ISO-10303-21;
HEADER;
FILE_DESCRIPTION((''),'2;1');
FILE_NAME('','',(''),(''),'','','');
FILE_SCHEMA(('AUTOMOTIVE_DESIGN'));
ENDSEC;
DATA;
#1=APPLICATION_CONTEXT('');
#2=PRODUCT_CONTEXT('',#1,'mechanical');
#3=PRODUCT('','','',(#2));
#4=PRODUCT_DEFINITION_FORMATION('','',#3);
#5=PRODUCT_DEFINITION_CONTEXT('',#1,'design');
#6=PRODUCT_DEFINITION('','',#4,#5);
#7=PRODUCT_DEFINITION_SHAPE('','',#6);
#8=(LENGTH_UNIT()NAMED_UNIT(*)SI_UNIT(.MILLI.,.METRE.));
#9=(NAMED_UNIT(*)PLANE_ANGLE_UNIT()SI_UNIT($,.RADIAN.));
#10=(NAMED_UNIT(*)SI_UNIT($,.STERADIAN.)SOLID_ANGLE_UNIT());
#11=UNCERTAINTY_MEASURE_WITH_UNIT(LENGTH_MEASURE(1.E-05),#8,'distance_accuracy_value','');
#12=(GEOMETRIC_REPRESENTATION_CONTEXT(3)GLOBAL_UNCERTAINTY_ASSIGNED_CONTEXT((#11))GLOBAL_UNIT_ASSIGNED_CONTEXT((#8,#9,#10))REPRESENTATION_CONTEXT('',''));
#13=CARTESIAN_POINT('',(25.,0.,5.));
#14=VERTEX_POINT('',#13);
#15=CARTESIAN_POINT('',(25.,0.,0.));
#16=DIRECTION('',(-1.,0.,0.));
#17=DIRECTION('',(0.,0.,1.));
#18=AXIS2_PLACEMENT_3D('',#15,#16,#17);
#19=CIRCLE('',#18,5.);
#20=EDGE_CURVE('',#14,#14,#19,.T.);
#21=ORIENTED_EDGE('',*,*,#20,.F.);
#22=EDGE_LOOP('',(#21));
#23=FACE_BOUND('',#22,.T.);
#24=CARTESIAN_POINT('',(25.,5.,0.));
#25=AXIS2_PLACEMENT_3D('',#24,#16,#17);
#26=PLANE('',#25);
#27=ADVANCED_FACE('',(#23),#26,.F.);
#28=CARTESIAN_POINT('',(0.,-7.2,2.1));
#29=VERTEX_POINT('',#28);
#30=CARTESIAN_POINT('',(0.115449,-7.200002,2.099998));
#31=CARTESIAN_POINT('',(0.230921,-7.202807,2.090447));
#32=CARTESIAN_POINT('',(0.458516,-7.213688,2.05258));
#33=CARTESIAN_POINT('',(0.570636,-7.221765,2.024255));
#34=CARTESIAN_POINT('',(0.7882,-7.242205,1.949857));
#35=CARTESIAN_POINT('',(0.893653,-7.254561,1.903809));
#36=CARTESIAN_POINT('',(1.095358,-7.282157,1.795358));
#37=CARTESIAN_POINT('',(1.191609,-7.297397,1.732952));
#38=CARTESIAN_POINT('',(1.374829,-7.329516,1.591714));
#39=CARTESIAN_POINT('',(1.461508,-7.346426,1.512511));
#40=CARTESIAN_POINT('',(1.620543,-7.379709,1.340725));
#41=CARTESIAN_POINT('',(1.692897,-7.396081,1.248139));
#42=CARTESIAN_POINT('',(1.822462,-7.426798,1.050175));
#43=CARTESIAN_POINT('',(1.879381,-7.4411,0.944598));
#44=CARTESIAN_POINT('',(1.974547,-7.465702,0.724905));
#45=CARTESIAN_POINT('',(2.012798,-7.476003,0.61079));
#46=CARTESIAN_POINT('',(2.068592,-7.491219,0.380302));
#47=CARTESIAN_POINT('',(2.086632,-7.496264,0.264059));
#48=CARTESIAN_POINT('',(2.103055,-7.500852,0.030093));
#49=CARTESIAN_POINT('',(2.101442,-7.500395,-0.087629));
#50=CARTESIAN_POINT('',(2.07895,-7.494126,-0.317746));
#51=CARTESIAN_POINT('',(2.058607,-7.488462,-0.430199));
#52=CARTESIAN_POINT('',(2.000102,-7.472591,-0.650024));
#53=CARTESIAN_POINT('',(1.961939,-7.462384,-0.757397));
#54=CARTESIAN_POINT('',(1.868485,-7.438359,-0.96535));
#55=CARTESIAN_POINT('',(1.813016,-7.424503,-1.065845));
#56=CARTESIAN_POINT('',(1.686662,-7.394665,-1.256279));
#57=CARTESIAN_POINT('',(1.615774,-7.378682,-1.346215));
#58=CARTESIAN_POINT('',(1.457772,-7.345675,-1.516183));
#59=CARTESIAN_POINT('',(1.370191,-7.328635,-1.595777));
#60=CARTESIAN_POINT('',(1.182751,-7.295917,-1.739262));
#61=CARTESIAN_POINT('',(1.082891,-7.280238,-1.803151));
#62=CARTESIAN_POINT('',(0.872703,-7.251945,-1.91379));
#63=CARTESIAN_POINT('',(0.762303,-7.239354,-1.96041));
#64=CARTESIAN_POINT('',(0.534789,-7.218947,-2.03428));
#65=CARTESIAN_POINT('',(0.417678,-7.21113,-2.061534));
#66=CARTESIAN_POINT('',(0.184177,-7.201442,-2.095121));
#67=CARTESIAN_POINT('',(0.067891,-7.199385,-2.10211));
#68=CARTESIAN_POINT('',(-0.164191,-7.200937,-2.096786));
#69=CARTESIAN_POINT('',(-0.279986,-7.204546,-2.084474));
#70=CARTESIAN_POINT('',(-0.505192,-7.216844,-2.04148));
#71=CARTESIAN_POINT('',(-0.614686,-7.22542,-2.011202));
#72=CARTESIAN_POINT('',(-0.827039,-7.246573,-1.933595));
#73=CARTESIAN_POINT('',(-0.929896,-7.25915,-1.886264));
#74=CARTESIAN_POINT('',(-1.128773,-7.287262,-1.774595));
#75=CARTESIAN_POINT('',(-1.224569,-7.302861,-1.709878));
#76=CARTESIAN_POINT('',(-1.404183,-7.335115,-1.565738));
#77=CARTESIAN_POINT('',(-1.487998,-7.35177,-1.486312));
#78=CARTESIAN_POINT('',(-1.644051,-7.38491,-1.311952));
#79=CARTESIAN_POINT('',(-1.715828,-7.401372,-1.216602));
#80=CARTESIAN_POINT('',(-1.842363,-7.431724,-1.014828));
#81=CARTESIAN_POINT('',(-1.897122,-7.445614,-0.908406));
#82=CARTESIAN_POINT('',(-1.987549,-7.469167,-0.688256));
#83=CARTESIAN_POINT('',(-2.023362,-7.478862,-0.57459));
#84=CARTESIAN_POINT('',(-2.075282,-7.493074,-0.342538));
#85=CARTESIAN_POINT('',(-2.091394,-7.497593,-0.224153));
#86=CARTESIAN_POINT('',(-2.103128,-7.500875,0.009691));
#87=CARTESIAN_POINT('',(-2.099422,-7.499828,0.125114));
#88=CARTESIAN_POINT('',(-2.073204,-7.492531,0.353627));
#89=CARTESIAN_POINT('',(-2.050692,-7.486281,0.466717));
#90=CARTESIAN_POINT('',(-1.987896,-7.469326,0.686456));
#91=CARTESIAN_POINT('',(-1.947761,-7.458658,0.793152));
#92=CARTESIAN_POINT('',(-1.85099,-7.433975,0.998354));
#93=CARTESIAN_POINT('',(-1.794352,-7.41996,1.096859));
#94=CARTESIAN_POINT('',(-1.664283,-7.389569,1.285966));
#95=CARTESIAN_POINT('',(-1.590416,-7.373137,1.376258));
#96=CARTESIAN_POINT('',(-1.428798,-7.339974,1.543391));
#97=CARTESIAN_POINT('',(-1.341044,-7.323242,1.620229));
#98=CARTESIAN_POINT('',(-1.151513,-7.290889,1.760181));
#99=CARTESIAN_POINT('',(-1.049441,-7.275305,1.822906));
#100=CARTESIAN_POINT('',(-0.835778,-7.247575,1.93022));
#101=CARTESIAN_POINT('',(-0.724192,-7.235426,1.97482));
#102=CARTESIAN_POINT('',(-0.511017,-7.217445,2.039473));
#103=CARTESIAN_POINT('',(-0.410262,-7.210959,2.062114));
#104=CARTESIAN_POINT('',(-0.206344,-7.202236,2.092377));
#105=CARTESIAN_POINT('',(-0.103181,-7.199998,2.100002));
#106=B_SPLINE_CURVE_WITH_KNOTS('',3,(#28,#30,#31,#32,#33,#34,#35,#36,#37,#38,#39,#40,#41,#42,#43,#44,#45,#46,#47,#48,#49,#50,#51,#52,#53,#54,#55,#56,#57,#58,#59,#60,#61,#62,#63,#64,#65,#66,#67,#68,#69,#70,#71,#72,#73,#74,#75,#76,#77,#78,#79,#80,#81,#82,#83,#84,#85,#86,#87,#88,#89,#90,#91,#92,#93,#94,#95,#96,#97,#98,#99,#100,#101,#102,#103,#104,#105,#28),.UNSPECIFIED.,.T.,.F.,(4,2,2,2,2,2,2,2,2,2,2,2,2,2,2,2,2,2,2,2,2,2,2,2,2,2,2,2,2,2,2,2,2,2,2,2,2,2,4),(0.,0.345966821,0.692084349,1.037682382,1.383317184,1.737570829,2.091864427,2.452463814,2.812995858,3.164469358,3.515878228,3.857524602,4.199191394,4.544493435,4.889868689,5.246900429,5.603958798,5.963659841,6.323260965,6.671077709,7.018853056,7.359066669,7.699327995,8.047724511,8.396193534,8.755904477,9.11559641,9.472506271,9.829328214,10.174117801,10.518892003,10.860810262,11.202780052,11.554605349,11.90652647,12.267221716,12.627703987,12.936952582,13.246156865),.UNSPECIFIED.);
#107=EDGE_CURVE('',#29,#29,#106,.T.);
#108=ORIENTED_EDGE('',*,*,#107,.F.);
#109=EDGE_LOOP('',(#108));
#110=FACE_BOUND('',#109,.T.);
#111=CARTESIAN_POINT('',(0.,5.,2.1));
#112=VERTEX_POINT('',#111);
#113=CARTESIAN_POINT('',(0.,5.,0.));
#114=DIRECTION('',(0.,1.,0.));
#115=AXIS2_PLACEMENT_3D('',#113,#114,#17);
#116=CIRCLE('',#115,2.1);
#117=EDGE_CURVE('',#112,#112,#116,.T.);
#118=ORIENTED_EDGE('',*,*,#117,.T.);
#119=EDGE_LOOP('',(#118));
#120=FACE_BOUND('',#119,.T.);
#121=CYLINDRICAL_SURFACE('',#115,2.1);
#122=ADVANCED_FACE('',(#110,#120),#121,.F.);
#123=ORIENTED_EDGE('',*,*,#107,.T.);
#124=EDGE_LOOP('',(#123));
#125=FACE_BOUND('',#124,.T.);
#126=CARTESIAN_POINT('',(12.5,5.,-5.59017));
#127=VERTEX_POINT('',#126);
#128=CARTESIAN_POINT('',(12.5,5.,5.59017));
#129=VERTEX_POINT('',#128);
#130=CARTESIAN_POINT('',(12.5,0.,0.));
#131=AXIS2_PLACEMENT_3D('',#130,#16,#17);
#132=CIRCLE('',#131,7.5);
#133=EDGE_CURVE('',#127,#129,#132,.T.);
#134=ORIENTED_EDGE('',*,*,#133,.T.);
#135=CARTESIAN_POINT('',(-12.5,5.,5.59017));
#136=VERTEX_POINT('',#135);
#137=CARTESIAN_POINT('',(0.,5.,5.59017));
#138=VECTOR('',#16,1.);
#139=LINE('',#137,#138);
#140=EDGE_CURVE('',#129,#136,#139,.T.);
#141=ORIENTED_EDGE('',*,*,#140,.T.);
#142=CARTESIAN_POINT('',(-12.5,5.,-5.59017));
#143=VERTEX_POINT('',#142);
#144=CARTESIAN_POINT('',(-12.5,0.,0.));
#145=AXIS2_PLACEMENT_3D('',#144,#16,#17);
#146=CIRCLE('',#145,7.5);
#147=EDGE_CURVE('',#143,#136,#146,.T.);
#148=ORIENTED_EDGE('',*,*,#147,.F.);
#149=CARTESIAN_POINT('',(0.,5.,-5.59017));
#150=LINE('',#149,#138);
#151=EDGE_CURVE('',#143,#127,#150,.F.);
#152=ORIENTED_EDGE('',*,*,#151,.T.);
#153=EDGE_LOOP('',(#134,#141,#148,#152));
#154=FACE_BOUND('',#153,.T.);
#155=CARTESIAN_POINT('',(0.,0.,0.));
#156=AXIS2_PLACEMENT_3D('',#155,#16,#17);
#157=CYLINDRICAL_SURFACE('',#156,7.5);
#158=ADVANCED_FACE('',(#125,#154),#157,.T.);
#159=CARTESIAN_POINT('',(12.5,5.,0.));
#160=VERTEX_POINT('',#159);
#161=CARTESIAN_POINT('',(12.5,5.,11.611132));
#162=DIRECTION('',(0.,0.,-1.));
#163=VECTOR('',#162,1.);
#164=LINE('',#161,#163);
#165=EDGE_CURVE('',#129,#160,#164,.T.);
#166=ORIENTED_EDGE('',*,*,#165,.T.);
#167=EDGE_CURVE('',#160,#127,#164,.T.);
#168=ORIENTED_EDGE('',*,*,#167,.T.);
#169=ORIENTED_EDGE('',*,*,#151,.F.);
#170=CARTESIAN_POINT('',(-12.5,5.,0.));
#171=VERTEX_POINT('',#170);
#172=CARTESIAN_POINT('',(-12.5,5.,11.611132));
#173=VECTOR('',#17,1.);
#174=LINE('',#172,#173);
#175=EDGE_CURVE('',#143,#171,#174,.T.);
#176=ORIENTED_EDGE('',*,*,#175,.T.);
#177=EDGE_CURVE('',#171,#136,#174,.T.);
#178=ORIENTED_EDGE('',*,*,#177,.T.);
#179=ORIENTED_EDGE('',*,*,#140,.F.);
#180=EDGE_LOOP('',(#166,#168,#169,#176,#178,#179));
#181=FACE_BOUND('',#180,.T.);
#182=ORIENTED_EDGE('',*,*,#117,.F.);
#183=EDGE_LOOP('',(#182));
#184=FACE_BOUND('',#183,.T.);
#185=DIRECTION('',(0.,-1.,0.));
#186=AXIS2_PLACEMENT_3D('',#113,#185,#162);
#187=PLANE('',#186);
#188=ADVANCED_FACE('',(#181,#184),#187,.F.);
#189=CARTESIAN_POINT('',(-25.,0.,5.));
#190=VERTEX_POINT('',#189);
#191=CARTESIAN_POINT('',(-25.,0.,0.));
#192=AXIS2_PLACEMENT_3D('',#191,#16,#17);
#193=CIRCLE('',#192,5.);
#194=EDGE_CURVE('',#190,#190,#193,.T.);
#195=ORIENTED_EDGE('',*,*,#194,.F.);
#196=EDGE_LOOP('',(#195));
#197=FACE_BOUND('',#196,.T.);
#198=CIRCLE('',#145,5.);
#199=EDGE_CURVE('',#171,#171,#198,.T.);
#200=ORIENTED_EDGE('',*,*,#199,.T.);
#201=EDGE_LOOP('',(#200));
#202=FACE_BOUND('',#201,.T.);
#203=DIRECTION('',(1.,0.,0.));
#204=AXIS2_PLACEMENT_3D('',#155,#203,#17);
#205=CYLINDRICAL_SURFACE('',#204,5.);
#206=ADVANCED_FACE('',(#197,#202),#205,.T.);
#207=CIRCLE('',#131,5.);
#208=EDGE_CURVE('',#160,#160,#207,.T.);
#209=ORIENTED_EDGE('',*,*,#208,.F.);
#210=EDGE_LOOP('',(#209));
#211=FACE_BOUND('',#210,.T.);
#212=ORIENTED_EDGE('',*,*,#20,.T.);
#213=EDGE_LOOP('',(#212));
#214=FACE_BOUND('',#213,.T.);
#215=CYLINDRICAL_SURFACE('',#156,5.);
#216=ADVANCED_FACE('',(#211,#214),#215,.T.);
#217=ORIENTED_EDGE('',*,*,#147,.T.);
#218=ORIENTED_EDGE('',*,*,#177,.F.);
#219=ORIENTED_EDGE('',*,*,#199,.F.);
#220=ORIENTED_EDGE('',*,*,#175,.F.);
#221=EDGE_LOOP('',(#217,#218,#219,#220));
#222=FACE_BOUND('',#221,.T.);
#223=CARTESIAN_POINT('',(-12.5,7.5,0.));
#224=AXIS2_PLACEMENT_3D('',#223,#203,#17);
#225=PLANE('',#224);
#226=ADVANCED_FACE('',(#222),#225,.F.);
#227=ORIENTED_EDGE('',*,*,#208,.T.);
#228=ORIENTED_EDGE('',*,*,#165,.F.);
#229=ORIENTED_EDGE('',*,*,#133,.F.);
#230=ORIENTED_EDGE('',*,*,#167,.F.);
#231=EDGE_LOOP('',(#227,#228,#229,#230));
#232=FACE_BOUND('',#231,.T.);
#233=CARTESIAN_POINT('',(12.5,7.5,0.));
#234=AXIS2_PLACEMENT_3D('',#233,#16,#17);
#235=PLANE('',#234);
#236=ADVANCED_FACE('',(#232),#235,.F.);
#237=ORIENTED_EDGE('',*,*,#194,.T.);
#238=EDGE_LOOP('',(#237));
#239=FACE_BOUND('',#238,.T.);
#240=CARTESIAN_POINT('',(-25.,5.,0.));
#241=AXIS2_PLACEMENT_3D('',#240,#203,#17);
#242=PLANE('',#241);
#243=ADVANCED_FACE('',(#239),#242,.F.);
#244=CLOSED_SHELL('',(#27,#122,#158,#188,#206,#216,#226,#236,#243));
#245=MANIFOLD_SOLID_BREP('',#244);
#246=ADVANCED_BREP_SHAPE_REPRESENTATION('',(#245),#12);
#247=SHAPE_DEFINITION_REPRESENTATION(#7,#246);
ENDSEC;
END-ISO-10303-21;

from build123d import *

# Parameters (mm, degrees)
CUT_EXTRUDE_START   = 5
SKETCH_2_W          = 25
SKETCH_2_H          = 23.22226429
CUT_EXTRUDE_1_DEPTH = 23.156951228
HOLE_WIZARD_M5_1_D  = 4.2


with BuildPart() as part:
    # 草图1 → 旋转1 (revolve)
    with BuildSketch(Plane.XY, mode=Mode.PRIVATE) as revolve_1_sk:
        Polygon((0, 7.5), (12.5, 7.5), (12.5, 5), (25, 5), (25, 0), (0, 0), align=None)
    revolve_1 = revolve(revolve_1_sk.sketch.rotate(Axis((0, 0, 0), (1, 0, 0)), 90), axis=Axis((0, 0, 0), (1, 0, 0)))

    # 镜向1: 旋转1 across plane
    add(revolve_1.mirror(Plane(origin=(0, 0, 0), x_dir=(0, 0, 1), z_dir=(1, 0, 0))))

    # 草图2 → 切除-拉伸1 (cut, through all)
    with BuildSketch(Plane(origin=(0, 0, 0), x_dir=(1, 0, 0), z_dir=(0, 1, 0)).offset(CUT_EXTRUDE_START)):
        Rectangle(SKETCH_2_W, SKETCH_2_H)
    extrude(amount=CUT_EXTRUDE_1_DEPTH, mode=Mode.SUBTRACT)

    # M5 螺纹孔的螺纹孔钻头1 (through all)
    with Locations(Plane(origin=(0, 5, 0), x_dir=(1, 0, 0), z_dir=(0, 1, 0))):
        with Locations((0, 0)):
            Hole(HOLE_WIZARD_M5_1_D / 2)


solid = part.part
